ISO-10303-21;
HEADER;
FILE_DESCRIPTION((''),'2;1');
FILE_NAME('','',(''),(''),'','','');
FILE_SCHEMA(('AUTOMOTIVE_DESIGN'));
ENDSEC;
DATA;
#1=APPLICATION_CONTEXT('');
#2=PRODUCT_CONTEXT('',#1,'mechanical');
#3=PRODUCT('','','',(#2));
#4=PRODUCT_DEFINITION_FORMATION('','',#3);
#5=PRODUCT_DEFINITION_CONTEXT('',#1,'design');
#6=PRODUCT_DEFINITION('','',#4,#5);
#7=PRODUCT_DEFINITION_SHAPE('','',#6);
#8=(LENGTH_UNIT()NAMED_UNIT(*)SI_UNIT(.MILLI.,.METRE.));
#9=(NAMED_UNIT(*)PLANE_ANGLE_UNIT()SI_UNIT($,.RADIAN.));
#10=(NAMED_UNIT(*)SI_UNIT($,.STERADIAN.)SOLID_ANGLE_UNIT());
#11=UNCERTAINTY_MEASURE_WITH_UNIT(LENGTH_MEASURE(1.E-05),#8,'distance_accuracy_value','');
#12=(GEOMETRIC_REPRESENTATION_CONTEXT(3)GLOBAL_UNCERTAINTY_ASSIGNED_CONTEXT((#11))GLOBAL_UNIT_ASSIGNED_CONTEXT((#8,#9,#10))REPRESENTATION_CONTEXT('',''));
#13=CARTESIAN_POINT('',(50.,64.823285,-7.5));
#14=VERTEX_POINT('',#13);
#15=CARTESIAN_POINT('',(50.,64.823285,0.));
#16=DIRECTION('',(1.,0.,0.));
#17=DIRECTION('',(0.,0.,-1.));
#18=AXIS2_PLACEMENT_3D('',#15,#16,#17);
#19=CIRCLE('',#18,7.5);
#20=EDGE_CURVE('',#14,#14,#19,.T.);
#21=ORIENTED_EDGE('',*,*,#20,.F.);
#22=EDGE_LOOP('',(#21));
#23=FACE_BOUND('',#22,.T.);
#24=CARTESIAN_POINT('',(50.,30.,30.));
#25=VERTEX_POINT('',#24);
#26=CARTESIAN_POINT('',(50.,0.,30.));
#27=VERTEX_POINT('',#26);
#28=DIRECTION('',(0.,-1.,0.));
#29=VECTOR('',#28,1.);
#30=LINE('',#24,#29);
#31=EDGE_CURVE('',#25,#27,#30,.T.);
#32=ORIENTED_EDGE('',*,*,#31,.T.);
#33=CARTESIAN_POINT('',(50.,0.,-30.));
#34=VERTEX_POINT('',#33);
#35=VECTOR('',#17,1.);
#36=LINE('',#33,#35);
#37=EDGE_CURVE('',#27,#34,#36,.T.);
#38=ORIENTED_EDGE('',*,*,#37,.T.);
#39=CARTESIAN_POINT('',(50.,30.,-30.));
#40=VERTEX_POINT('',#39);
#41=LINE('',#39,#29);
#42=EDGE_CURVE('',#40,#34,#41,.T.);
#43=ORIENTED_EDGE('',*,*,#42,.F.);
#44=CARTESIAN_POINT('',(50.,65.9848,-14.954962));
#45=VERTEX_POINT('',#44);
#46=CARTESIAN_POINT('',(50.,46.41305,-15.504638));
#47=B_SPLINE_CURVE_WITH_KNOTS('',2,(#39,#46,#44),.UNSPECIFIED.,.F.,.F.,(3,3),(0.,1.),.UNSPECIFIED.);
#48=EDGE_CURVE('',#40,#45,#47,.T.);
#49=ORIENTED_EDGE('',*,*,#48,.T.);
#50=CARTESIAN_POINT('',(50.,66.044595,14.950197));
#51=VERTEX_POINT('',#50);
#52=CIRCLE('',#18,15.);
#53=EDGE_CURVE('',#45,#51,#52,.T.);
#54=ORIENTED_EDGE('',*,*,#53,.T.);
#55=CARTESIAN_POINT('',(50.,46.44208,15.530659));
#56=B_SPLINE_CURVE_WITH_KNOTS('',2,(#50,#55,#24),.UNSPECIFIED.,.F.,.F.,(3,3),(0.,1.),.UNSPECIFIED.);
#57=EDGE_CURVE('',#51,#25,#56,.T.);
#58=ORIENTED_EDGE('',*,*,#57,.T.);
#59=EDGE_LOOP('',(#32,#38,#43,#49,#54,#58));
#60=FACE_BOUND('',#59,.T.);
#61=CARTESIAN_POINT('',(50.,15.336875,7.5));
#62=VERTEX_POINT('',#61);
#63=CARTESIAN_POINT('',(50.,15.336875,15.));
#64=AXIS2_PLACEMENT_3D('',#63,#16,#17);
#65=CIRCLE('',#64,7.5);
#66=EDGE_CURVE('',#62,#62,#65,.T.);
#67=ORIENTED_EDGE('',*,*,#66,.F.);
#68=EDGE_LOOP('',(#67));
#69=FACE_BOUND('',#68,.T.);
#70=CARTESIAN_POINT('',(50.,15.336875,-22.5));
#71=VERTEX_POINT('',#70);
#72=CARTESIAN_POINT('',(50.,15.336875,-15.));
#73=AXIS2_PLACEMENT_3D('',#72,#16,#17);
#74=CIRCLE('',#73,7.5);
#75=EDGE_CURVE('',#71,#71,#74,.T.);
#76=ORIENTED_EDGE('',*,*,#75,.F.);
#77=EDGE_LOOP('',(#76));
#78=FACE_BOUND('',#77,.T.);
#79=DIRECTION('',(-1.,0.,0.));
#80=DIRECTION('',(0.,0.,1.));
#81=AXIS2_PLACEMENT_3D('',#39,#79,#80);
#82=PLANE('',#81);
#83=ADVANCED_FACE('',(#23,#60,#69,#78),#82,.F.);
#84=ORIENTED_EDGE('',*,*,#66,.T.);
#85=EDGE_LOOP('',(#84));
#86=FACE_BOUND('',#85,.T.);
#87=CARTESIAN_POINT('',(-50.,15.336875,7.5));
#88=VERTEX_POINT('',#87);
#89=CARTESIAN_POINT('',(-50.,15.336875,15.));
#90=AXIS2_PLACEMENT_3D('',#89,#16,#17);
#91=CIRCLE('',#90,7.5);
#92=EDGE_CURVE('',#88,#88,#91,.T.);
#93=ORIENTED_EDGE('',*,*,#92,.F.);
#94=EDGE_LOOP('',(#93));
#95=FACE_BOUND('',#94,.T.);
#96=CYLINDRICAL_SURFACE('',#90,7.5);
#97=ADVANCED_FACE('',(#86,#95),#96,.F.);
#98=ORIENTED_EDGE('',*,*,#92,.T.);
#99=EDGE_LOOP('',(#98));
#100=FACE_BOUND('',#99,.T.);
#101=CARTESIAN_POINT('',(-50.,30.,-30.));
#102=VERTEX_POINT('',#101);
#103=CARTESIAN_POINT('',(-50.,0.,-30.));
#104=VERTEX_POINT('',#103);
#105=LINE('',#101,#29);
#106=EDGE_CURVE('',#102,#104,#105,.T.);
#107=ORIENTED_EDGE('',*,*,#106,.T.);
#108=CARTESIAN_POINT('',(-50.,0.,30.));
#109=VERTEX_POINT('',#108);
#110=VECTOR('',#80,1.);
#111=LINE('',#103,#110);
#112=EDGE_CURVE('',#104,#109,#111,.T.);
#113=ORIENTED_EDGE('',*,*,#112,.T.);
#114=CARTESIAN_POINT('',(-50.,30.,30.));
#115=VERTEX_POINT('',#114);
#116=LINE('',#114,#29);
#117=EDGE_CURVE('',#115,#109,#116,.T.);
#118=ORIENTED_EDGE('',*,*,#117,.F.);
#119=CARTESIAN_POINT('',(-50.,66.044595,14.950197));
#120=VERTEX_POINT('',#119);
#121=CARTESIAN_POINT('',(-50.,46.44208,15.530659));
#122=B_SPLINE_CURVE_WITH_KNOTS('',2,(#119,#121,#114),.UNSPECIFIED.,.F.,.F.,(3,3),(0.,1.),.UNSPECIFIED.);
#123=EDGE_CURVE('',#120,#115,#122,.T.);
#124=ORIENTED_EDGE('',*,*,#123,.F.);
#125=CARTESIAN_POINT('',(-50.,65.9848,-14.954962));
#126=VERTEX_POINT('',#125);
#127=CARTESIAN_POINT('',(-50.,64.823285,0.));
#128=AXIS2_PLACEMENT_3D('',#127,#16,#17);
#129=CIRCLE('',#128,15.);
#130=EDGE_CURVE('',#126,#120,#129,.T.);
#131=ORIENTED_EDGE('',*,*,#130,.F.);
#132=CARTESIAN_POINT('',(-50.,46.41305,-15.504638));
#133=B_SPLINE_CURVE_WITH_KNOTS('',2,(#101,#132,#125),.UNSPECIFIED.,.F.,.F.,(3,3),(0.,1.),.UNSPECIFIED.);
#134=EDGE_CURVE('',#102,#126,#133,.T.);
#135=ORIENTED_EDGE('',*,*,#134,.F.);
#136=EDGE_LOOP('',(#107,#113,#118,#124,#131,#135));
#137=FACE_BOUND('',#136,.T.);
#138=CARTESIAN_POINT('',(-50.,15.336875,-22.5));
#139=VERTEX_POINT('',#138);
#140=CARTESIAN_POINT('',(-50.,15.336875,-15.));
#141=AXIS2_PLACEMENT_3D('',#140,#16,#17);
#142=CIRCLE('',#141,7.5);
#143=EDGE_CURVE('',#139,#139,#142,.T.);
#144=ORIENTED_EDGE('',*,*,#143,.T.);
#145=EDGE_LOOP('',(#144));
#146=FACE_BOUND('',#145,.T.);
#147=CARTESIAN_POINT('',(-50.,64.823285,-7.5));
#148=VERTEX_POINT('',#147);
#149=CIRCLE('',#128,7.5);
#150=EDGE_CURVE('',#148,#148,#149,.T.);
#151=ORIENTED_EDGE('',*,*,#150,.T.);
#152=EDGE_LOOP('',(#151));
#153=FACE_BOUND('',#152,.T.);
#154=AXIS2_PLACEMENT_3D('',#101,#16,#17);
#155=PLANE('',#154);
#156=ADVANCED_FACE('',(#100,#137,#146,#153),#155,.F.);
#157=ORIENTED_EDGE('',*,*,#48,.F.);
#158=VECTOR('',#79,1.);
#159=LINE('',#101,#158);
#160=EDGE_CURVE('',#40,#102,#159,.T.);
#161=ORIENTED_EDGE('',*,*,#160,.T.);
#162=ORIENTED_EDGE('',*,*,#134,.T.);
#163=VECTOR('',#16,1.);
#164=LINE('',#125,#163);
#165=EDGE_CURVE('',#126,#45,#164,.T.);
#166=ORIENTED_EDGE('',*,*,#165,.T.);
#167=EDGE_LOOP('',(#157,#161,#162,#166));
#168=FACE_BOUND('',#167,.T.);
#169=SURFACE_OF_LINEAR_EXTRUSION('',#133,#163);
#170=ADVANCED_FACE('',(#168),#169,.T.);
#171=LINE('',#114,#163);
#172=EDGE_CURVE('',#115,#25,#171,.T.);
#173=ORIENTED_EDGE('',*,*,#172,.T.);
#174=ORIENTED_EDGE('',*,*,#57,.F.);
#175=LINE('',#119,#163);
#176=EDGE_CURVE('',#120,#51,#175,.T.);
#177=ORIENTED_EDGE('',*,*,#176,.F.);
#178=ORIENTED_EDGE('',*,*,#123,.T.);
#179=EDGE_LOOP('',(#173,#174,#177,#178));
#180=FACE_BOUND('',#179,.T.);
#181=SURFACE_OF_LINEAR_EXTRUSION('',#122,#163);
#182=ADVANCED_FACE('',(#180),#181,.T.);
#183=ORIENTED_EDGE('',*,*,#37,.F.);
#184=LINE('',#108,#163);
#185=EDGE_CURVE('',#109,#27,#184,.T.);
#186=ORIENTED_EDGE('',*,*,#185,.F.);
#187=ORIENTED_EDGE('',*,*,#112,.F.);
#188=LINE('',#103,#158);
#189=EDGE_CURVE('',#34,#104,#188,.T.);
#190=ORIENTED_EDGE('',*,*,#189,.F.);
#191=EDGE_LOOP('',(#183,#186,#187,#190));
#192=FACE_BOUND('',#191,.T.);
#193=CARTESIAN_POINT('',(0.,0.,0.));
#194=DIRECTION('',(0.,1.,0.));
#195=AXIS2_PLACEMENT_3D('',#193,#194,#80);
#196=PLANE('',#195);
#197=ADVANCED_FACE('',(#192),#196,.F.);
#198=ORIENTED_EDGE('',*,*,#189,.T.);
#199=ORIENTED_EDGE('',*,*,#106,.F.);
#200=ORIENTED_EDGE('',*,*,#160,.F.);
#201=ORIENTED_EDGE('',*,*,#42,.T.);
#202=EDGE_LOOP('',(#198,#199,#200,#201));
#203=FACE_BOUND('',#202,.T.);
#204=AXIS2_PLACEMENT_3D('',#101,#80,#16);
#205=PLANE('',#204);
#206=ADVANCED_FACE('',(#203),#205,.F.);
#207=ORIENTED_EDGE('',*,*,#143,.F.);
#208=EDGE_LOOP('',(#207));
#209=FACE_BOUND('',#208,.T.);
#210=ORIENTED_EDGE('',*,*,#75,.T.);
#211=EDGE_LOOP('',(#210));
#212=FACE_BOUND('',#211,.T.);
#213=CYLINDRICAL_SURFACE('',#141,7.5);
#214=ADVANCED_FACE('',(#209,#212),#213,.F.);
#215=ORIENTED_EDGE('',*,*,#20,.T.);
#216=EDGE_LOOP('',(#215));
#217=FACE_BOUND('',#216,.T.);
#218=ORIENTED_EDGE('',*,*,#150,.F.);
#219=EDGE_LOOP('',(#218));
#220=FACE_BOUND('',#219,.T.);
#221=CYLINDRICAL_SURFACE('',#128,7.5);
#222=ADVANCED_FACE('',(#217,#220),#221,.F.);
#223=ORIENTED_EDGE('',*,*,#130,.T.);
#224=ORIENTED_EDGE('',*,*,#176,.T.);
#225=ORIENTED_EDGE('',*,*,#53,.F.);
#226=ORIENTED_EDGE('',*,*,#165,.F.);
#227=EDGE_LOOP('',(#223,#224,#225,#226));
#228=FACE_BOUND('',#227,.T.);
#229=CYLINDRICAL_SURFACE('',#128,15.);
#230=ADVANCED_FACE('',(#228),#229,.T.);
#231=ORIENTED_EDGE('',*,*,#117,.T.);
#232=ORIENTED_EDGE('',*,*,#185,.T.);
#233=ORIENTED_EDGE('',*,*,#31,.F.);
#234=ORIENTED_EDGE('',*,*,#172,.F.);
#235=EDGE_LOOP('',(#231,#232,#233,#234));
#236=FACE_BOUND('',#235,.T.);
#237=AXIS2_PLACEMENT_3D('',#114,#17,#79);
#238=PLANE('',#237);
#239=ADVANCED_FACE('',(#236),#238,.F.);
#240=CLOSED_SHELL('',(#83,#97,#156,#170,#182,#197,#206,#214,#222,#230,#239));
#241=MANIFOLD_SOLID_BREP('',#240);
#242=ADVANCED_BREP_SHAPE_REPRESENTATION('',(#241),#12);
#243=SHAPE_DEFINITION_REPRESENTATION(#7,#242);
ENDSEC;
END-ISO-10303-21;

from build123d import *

# Parameters (mm, degrees)
SKETCH1_W           = 100
SKETCH1_H           = 60
BOSS_EXTRUDE1_DEPTH = 30
BOSS_EXTRUDE2_DEPTH = 100
SKETCH4_R           = 7.5
CUT_EXTRUDE1_DEPTH  = 100


with BuildPart() as part:
    # Sketch1 → Boss-Extrude1 (new body)
    with BuildSketch(Plane(origin=(0, 0, 0), x_dir=(1, 0, 0), z_dir=(0, 1, 0))):
        Rectangle(SKETCH1_W, SKETCH1_H)
    extrude(amount=BOSS_EXTRUDE1_DEPTH)

    # Sketch2 → Boss-Extrude2 (add)
    with BuildSketch(Plane(origin=(50, 0, 0), x_dir=(0, 0, -1), z_dir=(1, 0, 0))):
        with BuildLine():
            Line((-30, 30), (30, 30))
            add(Edge.make_bspline(
                [(30, 30), (15.504637598, 46.413049946), (14.954961798, 65.984799867)],
                knots=[0, 0, 0, 1, 1, 1], degree=2))
            ThreePointArc((14.954961798, 65.984799867), (0.029992259, 79.823254651), (-14.950197367, 66.044594871))
            add(Edge.make_bspline(
                [(-30, 30), (-15.530658632, 46.442080305), (-14.950197367, 66.044594871)],
                knots=[0, 0, 0, 1, 1, 1], degree=2))
        make_face()
    extrude(amount=-BOSS_EXTRUDE2_DEPTH)

    # Sketch4 → Cut-Extrude1 (cut)
    with BuildSketch(Plane(origin=(50, 0, 0), x_dir=(0, 0, -1), z_dir=(1, 0, 0))):
        with Locations((0, 64.823284635)):
            Circle(SKETCH4_R)
        with Locations((-15, 15.336875133)):
            Circle(SKETCH4_R)
        with Locations((15, 15.336875133)):
            Circle(SKETCH4_R)
    extrude(amount=-CUT_EXTRUDE1_DEPTH, mode=Mode.SUBTRACT)


solid = part.part
